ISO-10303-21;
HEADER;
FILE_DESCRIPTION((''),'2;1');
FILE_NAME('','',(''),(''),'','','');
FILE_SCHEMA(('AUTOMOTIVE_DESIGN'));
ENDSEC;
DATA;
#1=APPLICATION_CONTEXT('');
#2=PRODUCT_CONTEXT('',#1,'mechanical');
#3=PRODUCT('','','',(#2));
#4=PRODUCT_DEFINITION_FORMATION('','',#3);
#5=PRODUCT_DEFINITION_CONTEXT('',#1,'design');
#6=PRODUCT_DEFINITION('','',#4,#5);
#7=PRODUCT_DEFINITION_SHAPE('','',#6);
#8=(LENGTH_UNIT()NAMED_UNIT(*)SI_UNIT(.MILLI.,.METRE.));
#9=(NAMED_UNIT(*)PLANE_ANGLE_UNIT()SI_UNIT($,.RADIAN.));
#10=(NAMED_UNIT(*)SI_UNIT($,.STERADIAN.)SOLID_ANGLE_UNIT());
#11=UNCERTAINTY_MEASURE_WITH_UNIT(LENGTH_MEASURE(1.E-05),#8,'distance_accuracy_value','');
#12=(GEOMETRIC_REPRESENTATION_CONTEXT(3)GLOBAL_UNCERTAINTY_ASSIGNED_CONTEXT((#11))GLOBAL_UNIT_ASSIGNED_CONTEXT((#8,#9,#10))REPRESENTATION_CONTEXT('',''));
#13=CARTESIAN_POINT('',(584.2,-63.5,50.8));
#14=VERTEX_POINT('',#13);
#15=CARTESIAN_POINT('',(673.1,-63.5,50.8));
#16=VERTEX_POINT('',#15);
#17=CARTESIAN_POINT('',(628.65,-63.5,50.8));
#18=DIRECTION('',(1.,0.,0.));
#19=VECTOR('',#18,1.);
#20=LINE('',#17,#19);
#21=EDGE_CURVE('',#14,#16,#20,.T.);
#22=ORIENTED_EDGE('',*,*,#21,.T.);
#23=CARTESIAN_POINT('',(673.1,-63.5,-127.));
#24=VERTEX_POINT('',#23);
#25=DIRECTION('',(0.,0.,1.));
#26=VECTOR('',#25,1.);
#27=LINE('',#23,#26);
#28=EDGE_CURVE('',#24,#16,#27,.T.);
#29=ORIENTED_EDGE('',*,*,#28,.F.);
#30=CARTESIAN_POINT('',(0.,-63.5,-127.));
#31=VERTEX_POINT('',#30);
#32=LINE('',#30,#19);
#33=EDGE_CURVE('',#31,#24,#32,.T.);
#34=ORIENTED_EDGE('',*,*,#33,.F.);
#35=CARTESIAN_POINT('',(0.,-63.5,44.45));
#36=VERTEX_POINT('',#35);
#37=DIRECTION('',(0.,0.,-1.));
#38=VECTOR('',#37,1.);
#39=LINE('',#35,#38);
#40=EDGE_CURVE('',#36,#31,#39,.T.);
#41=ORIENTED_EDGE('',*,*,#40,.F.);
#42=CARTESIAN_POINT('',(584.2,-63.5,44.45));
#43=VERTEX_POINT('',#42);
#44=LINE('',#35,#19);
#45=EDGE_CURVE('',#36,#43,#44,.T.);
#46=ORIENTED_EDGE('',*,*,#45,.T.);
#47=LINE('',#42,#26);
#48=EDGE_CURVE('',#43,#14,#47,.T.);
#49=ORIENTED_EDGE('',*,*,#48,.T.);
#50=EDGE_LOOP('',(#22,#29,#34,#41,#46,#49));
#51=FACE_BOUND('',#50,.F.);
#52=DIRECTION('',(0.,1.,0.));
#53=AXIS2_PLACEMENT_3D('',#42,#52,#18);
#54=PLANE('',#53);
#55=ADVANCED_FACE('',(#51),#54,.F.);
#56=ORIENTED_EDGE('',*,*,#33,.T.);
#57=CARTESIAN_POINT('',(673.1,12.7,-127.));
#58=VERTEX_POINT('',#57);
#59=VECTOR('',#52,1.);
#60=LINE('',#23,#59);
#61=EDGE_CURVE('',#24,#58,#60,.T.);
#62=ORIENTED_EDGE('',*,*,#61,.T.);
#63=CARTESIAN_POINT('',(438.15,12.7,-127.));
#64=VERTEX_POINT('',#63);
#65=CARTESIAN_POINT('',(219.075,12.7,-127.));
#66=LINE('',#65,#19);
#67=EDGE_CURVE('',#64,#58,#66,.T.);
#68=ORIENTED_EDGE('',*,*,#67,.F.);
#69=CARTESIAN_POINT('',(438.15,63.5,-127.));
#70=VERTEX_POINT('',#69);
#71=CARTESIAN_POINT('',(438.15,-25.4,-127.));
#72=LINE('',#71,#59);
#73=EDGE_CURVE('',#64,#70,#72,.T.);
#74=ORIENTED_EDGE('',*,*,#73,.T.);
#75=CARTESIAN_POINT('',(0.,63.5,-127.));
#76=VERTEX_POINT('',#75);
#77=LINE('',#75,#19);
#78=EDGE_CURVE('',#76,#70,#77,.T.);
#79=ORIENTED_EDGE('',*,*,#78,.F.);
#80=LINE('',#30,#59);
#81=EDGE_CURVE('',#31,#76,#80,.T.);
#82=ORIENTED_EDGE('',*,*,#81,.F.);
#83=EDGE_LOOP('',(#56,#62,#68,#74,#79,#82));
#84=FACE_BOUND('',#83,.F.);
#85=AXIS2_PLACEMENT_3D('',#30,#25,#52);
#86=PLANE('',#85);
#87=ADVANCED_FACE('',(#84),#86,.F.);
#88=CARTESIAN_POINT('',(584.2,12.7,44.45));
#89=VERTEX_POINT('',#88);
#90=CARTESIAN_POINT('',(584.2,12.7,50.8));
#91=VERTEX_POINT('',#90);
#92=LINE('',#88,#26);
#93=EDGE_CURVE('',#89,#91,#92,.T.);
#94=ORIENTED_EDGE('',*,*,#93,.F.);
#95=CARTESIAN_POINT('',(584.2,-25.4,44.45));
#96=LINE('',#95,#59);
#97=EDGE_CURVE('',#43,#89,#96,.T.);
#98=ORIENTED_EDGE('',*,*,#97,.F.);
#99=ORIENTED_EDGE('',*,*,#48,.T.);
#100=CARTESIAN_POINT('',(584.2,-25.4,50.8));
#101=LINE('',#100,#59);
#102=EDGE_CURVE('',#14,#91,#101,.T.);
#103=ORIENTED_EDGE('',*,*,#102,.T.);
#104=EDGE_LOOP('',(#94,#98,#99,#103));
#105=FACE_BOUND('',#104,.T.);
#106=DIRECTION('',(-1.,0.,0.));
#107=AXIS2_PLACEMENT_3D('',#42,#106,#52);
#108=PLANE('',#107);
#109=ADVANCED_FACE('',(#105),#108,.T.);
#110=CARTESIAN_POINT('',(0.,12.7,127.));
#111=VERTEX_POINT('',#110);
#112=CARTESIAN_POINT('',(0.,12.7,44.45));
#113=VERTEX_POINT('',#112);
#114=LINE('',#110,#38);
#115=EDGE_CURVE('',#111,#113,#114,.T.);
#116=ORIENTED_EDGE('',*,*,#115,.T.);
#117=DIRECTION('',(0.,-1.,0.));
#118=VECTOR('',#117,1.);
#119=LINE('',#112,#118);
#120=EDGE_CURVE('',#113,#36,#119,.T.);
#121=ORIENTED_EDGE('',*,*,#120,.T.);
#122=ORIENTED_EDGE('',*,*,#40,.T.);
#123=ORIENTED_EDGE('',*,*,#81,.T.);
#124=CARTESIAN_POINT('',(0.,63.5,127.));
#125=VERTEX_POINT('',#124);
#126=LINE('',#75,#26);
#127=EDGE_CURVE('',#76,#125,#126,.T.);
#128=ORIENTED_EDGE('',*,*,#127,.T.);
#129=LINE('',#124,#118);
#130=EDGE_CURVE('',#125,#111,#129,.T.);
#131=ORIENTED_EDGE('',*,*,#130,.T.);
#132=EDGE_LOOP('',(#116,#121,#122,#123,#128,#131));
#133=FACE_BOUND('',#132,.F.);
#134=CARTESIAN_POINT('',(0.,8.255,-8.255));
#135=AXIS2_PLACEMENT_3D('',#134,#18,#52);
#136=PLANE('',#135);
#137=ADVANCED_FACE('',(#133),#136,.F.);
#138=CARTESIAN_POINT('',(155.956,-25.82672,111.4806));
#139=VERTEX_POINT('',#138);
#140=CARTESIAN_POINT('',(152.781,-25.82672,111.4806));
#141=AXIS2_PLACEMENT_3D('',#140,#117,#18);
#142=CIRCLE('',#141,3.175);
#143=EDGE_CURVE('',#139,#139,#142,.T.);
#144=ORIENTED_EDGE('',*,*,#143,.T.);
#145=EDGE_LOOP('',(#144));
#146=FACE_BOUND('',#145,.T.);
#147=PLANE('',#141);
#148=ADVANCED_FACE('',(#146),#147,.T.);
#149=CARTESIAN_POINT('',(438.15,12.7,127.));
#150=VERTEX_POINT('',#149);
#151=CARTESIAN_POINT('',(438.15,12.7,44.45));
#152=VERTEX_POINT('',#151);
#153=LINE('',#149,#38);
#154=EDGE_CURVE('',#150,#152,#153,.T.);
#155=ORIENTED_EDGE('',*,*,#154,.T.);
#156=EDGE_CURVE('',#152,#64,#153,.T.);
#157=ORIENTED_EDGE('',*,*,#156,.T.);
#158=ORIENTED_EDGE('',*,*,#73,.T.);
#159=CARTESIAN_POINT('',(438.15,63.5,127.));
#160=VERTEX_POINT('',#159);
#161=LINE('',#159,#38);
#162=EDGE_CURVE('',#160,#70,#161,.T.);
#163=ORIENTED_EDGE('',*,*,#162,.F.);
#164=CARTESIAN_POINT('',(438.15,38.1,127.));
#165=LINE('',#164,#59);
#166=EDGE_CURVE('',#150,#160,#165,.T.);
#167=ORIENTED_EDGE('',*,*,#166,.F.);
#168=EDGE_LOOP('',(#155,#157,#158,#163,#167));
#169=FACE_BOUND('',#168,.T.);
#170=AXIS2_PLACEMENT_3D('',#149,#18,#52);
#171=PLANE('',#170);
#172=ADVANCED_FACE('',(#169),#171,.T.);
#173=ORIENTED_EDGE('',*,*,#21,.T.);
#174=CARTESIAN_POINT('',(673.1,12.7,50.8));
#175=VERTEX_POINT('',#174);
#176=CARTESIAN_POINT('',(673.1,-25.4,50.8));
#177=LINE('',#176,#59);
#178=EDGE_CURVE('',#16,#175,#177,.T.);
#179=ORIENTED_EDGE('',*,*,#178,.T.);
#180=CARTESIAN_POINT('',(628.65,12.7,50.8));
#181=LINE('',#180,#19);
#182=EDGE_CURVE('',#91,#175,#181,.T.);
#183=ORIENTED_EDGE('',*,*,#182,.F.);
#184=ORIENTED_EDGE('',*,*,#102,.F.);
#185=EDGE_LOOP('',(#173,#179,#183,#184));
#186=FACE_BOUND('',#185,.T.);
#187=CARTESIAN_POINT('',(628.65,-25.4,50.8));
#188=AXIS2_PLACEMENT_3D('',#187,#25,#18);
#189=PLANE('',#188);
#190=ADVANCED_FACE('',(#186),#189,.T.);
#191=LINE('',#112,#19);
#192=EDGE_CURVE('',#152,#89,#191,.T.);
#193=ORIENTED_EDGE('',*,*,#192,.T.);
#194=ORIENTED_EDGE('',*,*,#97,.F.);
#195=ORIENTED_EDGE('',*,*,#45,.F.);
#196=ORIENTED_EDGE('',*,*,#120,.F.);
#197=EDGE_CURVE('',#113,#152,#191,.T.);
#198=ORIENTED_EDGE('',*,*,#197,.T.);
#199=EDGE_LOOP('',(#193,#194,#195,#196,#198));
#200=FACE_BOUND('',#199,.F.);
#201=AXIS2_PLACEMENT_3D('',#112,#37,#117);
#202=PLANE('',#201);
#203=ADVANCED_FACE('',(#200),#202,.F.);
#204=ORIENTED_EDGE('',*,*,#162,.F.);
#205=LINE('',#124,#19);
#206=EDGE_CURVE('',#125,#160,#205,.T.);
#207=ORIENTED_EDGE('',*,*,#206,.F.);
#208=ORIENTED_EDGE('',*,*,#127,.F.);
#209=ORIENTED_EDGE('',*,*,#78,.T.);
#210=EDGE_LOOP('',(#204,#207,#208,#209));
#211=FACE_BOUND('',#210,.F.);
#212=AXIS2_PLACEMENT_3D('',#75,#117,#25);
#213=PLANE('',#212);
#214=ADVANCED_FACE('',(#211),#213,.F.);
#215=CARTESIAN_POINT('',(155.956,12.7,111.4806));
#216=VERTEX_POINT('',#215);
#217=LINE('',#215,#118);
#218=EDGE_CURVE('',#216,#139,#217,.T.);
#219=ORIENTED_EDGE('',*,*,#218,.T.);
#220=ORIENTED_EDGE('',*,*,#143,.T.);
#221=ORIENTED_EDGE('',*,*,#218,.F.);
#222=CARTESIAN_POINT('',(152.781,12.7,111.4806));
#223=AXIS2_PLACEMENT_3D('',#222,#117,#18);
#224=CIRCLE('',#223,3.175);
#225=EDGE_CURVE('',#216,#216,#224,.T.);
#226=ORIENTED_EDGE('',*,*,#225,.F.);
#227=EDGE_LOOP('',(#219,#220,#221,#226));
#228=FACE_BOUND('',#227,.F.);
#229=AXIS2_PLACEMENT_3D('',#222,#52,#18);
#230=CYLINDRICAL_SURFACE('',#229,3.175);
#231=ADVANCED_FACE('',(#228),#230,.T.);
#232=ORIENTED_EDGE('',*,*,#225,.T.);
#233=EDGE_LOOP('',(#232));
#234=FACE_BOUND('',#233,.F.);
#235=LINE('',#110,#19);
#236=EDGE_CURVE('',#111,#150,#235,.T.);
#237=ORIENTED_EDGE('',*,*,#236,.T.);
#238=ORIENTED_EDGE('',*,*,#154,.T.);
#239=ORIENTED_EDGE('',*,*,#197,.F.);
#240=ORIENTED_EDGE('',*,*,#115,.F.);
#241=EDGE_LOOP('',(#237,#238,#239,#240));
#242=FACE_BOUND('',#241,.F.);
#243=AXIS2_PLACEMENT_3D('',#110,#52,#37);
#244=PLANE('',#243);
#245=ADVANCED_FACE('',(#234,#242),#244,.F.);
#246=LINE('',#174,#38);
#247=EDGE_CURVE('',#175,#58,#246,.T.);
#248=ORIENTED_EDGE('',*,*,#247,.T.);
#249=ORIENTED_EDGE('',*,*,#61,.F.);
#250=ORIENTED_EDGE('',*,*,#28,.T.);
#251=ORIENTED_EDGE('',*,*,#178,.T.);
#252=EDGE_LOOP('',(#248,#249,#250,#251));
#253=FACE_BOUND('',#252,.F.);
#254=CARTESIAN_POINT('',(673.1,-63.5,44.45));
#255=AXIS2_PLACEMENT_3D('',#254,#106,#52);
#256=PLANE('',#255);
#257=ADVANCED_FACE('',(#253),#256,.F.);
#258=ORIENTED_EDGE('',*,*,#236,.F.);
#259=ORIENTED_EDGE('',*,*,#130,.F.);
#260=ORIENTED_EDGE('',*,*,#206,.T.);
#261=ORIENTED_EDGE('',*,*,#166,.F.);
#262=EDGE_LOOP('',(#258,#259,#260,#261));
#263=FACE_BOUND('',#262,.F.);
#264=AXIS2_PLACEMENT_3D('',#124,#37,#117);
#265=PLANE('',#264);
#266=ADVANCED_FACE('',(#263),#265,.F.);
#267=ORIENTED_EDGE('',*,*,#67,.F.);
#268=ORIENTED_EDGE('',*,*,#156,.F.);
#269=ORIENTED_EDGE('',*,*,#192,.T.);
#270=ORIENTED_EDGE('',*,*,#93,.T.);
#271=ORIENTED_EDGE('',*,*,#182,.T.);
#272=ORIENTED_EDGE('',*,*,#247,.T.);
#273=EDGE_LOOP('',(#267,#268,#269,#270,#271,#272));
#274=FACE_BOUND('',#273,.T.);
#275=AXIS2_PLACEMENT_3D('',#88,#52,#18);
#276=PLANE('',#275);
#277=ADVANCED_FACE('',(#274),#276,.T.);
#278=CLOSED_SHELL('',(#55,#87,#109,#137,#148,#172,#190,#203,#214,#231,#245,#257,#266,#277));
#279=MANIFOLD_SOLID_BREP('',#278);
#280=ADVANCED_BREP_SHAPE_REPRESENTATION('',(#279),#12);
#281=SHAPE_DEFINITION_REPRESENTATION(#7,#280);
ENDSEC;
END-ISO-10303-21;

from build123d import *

# Parameters (mm, degrees)
F1_DEPTH = 673.1
F2_W     = 234.95
F2_H     = 50.8
F3_DEPTH = 254.001
F4_W     = 88.9
F4_H     = 76.2
F5_DEPTH = 6.35
F6_R     = 3.175
F7_DEPTH = 38.52672


with BuildPart() as f1:
    # F0 (on Right) → F1 (new body)
    with BuildSketch(Plane.YZ):
        Polygon((-63.5, 44.45), (-63.5, -127), (63.5, -127), (63.5, 127), (12.7, 127), (12.7, 44.45), align=None)
    extrude(amount=F1_DEPTH)

    # F2 (on face) → F3 (cut, through all)
    with BuildSketch(Plane.XY.offset(127)):
        with Locations((555.625, 38.1)):
            Rectangle(F2_W, F2_H)
    extrude(amount=-F3_DEPTH, mode=Mode.SUBTRACT)

    # F4 (on face) → F5 (join)
    with BuildSketch(Plane.XY.offset(44.45)):
        with Locations((628.65, -25.4)):
            Rectangle(F4_W, F4_H)
    extrude(amount=F5_DEPTH)

    # F6 (on face) → F7 (join)
    with BuildSketch(Plane.XZ.offset(-12.7)):
        with Locations((152.781, 111.4806)):
            Circle(F6_R)
    extrude(amount=F7_DEPTH)


solid = f1.part
